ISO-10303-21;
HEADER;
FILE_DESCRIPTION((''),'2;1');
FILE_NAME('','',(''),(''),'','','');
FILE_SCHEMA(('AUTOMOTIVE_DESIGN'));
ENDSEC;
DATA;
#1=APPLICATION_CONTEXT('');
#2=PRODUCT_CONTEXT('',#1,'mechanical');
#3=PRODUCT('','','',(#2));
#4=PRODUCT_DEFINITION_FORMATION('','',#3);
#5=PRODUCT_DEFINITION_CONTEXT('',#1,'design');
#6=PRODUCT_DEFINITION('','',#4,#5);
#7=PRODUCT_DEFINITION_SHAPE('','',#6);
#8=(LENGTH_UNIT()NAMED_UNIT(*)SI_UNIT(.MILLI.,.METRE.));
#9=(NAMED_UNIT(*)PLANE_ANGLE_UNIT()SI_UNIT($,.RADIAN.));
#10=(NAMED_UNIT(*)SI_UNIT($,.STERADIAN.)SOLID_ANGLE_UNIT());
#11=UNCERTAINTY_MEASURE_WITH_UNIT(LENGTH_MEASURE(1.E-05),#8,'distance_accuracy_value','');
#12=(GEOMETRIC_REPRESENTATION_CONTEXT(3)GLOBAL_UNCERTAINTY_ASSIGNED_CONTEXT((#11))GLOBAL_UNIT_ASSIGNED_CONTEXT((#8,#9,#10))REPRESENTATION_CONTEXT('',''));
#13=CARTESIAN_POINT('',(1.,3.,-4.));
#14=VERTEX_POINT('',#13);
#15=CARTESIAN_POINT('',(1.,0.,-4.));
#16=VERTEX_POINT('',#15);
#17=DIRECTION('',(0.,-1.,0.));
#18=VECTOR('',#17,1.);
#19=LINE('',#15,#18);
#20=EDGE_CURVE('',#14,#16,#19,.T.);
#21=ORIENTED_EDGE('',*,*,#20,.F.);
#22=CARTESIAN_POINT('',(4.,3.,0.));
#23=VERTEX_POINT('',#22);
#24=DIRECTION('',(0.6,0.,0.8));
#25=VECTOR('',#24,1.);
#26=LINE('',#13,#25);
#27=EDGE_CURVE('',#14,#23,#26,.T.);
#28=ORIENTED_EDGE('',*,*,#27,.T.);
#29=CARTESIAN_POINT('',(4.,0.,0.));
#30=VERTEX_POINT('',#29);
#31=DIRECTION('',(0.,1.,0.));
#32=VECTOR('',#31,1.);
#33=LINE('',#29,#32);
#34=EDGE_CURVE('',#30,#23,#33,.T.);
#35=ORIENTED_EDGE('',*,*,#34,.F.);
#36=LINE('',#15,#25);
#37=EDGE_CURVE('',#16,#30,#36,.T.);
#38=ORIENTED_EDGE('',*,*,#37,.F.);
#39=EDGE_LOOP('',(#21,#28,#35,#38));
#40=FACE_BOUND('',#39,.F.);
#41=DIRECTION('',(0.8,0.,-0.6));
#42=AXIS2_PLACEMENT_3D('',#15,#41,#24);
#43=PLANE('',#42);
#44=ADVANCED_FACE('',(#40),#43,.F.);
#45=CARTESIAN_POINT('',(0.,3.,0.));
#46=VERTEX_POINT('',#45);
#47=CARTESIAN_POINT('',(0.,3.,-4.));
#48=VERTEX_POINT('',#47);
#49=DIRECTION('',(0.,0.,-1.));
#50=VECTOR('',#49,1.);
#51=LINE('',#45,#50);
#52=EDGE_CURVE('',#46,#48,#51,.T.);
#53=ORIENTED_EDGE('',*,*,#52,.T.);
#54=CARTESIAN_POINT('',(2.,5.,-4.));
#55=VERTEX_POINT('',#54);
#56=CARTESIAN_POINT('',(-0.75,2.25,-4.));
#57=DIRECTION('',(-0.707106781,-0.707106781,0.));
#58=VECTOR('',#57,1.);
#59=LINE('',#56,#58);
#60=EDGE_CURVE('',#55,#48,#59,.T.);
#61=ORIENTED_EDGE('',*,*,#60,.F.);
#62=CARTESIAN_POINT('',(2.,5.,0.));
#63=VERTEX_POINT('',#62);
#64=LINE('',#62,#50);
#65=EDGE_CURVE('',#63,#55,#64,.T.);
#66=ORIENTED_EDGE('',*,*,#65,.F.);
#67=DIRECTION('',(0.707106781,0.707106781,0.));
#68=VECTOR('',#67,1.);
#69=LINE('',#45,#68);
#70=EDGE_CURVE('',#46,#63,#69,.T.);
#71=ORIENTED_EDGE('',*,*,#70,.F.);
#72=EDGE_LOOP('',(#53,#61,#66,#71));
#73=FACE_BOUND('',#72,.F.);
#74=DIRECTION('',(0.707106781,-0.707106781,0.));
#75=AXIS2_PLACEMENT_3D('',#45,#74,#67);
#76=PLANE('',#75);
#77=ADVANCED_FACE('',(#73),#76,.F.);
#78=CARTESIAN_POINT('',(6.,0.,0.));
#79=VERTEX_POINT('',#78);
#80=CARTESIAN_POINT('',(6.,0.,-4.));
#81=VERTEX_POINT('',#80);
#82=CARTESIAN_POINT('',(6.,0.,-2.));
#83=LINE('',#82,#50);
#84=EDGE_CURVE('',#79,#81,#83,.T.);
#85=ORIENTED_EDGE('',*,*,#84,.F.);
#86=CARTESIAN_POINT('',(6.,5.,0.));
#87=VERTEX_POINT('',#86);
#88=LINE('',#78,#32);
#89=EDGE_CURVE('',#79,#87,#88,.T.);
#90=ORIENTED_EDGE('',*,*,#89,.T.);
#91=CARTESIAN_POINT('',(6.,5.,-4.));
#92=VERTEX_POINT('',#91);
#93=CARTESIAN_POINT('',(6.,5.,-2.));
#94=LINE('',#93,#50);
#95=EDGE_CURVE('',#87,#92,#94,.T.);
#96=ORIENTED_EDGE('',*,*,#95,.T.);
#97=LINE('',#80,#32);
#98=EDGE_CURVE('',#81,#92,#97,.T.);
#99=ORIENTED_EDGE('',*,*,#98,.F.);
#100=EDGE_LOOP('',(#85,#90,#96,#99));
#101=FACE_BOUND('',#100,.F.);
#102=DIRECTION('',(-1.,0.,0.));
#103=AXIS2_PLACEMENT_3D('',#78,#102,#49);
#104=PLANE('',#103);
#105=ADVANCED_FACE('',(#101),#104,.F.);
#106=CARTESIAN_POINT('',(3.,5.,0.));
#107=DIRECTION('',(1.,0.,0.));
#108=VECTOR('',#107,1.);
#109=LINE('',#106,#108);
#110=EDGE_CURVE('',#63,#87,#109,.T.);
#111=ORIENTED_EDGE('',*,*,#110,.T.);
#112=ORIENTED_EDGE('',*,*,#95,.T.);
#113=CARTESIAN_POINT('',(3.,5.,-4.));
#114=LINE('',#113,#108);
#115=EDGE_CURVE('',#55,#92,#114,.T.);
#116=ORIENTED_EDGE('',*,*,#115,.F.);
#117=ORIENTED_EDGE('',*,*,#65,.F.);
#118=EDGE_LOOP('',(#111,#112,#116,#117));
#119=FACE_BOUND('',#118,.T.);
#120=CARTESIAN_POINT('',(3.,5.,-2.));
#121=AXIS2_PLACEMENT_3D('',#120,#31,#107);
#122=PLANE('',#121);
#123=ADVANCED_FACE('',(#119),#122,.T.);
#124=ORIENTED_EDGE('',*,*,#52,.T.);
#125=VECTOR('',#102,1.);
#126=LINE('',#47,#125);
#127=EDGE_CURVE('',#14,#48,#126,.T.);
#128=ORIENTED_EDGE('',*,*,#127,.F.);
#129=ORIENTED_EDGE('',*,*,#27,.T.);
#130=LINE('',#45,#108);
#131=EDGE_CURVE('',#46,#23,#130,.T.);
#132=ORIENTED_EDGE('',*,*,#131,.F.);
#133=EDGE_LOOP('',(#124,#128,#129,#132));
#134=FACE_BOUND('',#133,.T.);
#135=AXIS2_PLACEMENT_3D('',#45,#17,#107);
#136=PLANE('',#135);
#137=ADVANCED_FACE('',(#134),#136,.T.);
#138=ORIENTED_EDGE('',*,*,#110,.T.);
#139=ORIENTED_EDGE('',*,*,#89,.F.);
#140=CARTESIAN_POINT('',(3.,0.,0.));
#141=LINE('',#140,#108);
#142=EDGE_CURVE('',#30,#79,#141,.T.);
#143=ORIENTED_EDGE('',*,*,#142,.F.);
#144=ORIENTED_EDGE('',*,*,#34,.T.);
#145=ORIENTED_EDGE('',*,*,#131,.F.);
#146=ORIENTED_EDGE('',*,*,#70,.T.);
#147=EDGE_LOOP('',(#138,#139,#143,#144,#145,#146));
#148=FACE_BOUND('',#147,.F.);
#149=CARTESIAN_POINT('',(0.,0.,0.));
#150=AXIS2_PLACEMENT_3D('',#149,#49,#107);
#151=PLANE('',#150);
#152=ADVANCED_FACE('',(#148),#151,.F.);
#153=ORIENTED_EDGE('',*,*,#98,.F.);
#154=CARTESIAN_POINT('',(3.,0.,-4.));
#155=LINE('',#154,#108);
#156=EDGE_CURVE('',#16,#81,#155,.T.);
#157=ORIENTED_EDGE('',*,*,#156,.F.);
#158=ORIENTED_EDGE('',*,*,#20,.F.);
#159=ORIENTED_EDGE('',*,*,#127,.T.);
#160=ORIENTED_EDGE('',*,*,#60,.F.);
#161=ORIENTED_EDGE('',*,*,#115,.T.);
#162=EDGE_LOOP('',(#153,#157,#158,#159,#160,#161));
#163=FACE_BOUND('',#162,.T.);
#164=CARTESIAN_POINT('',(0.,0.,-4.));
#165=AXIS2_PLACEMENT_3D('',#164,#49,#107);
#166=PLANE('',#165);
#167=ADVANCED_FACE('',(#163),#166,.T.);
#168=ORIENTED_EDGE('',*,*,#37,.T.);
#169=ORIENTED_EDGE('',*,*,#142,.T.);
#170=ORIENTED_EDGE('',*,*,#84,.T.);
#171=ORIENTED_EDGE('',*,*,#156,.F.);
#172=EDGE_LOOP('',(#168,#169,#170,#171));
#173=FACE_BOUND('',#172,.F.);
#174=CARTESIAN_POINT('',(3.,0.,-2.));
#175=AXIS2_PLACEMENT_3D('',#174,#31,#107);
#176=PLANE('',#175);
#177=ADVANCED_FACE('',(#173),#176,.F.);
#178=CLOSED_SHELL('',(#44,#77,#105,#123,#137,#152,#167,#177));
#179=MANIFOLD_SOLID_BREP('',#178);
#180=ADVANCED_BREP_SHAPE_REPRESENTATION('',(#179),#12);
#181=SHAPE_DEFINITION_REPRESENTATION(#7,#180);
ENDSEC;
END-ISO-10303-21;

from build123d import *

# Parameters (mm, degrees)
SKETCH2_W           = 6
SKETCH2_H           = 4
BOSS_EXTRUDE1_DEPTH = 5
SKETCH3_W           = 1
SKETCH3_H           = 3
CUT_EXTRUDE1_DEPTH  = 5
CUT_EXTRUDE2_DEPTH  = 3


with BuildPart() as part:
    # Sketch2 → Boss-Extrude1 (new body)
    with BuildSketch(Plane(origin=(0, 0, 0), x_dir=(1, 0, 0), z_dir=(0, 1, 0))):
        with Locations((3, 2)):
            Rectangle(SKETCH2_W, SKETCH2_H)
    extrude(amount=BOSS_EXTRUDE1_DEPTH)

    # Sketch3 → Cut-Extrude1 (cut)
    with BuildSketch(Plane.XY):
        Polygon((0, 5), (0, 3), (2, 5), align=None)
        with Locations((0.5, 1.5)):
            Rectangle(SKETCH3_W, SKETCH3_H)
    extrude(amount=-CUT_EXTRUDE1_DEPTH, mode=Mode.SUBTRACT)

    # Sketch4 → Cut-Extrude2 (cut)
    with BuildSketch(Plane.XZ):
        Polygon((1, -4), (4, 0), (1, 0), align=None)
    extrude(amount=-CUT_EXTRUDE2_DEPTH, mode=Mode.SUBTRACT)


solid = part.part
